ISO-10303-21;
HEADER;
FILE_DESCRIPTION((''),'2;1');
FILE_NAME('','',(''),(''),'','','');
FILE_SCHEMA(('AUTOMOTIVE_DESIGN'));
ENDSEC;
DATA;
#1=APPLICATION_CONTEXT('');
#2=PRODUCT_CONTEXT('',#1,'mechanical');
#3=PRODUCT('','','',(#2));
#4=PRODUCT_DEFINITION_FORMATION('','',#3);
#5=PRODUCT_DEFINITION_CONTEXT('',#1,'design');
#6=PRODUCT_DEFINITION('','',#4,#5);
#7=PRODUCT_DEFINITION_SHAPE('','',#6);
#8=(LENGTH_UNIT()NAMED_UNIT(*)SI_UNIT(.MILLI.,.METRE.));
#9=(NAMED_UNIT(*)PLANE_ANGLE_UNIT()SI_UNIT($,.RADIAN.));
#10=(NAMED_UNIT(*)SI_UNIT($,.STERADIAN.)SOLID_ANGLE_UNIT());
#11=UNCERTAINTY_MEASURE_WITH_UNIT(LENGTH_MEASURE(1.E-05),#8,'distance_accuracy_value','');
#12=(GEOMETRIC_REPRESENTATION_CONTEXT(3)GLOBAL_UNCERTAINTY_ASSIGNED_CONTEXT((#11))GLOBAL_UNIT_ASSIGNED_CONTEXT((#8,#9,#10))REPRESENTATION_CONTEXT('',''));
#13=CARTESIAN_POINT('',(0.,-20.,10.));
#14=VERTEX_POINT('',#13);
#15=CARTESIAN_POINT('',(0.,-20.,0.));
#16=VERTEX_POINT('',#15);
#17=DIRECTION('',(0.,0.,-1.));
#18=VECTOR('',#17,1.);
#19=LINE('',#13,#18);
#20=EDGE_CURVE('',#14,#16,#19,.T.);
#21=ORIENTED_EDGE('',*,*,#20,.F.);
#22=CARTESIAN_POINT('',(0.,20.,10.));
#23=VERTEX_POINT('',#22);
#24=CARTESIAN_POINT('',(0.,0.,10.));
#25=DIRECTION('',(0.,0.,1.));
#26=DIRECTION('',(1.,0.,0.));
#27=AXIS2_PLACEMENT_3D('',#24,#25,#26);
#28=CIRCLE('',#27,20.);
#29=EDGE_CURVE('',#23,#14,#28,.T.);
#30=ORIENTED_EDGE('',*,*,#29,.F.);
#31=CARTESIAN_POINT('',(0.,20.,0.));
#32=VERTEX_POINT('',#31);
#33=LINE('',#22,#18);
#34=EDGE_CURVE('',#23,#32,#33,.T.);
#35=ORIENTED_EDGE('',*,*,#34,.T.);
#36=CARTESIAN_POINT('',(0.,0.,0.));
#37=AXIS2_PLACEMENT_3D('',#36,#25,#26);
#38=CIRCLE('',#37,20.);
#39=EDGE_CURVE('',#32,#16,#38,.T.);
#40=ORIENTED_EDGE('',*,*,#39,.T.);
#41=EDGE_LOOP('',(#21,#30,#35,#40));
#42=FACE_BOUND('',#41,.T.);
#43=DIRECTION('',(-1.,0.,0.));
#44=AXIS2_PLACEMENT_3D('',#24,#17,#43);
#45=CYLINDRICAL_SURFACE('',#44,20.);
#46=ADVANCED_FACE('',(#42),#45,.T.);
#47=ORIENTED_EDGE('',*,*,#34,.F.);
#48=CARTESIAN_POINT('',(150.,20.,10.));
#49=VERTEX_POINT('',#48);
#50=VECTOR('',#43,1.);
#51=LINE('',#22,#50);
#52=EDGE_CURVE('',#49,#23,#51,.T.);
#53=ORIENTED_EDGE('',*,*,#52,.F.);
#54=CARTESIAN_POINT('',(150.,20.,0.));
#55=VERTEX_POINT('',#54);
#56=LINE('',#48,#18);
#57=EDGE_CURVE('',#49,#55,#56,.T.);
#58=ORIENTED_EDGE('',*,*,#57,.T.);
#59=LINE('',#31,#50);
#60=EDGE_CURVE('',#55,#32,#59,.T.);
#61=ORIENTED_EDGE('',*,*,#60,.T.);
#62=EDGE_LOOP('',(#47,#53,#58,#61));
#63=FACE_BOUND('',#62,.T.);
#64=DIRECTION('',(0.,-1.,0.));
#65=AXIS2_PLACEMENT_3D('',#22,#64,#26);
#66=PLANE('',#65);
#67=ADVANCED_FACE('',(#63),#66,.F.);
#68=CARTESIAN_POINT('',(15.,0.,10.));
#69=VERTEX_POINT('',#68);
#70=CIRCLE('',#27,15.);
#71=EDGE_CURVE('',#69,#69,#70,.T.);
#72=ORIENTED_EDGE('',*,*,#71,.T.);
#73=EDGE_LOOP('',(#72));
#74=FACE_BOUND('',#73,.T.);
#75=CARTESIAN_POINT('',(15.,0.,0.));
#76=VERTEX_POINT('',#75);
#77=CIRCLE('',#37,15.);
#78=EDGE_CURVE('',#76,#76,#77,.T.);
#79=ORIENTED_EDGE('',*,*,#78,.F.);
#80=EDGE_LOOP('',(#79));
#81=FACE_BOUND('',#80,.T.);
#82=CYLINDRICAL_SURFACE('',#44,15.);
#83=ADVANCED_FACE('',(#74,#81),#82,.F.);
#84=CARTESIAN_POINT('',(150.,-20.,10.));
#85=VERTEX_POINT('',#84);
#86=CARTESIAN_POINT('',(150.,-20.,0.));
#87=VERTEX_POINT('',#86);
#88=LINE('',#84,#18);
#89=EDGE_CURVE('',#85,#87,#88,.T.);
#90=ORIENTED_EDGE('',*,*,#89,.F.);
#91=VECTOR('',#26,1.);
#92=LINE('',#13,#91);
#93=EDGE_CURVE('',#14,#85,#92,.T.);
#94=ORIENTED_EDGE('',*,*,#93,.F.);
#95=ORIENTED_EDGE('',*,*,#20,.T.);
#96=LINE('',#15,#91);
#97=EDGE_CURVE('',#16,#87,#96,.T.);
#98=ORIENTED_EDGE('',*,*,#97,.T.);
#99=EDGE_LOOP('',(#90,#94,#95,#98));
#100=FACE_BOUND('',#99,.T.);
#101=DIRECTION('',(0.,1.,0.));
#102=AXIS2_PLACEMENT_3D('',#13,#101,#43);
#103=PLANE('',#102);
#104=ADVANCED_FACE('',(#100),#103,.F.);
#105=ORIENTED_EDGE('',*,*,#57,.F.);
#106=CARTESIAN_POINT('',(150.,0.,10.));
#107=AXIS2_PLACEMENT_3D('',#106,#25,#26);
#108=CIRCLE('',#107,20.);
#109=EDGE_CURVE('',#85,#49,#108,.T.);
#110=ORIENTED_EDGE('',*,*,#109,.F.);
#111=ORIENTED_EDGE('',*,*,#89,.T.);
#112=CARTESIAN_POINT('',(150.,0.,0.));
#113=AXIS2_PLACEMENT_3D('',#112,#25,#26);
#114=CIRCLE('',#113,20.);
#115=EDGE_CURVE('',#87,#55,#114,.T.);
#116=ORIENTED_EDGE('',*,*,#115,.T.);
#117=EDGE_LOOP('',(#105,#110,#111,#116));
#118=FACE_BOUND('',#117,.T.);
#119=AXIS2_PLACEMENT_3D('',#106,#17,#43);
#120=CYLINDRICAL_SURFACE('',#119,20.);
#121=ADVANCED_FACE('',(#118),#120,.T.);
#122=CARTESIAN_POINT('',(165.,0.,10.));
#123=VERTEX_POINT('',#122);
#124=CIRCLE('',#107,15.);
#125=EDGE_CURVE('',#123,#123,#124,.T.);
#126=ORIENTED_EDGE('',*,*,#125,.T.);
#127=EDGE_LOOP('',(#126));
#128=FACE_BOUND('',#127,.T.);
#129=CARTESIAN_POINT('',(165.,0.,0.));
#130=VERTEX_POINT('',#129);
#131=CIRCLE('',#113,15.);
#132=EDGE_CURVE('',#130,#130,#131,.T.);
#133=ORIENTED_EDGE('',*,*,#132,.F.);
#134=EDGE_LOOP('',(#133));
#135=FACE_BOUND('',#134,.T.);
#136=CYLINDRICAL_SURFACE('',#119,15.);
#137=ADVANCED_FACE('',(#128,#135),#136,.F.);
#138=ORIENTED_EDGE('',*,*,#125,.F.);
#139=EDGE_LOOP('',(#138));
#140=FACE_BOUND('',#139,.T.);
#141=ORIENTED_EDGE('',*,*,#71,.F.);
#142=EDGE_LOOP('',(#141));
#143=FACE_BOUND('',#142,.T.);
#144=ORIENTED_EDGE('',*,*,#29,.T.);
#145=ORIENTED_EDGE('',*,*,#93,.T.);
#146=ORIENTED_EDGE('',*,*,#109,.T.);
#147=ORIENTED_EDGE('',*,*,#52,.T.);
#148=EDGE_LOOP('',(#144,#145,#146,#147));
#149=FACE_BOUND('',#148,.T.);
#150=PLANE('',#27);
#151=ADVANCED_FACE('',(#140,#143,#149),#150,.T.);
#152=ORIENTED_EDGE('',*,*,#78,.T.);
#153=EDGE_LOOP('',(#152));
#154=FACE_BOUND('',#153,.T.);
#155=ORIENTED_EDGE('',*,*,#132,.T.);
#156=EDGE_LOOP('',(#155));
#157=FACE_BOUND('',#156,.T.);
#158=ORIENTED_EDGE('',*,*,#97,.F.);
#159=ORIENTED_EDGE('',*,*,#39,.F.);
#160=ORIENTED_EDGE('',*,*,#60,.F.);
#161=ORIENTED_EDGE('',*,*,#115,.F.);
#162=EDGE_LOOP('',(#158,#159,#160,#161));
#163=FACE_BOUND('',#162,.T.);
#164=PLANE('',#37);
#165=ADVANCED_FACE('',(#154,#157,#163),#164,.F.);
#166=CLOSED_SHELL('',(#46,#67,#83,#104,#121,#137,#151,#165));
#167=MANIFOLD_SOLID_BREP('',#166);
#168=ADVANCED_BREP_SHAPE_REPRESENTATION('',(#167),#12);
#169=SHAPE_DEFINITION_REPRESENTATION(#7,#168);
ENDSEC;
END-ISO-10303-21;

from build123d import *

# Parameters (mm, degrees)
SKETCH_1_R      = 15
EXTRUDE_1_DEPTH = 10


with BuildPart() as part:
    # Эскиз1 → Бобышка-Вытянуть1 (new body)
    with BuildSketch(Plane.XY):
        with BuildLine():
            Line((0, 20), (150, 20))
            ThreePointArc((150, 20), (170, 0), (150, -20))
            Line((150, -20), (0, -20))
            ThreePointArc((0, -20), (-20, 0), (0, 20))
        make_face()
        Circle(SKETCH_1_R, mode=Mode.SUBTRACT)
        with Locations((150, 0)):
            Circle(SKETCH_1_R, mode=Mode.SUBTRACT)
    extrude(amount=EXTRUDE_1_DEPTH)


solid = part.part
